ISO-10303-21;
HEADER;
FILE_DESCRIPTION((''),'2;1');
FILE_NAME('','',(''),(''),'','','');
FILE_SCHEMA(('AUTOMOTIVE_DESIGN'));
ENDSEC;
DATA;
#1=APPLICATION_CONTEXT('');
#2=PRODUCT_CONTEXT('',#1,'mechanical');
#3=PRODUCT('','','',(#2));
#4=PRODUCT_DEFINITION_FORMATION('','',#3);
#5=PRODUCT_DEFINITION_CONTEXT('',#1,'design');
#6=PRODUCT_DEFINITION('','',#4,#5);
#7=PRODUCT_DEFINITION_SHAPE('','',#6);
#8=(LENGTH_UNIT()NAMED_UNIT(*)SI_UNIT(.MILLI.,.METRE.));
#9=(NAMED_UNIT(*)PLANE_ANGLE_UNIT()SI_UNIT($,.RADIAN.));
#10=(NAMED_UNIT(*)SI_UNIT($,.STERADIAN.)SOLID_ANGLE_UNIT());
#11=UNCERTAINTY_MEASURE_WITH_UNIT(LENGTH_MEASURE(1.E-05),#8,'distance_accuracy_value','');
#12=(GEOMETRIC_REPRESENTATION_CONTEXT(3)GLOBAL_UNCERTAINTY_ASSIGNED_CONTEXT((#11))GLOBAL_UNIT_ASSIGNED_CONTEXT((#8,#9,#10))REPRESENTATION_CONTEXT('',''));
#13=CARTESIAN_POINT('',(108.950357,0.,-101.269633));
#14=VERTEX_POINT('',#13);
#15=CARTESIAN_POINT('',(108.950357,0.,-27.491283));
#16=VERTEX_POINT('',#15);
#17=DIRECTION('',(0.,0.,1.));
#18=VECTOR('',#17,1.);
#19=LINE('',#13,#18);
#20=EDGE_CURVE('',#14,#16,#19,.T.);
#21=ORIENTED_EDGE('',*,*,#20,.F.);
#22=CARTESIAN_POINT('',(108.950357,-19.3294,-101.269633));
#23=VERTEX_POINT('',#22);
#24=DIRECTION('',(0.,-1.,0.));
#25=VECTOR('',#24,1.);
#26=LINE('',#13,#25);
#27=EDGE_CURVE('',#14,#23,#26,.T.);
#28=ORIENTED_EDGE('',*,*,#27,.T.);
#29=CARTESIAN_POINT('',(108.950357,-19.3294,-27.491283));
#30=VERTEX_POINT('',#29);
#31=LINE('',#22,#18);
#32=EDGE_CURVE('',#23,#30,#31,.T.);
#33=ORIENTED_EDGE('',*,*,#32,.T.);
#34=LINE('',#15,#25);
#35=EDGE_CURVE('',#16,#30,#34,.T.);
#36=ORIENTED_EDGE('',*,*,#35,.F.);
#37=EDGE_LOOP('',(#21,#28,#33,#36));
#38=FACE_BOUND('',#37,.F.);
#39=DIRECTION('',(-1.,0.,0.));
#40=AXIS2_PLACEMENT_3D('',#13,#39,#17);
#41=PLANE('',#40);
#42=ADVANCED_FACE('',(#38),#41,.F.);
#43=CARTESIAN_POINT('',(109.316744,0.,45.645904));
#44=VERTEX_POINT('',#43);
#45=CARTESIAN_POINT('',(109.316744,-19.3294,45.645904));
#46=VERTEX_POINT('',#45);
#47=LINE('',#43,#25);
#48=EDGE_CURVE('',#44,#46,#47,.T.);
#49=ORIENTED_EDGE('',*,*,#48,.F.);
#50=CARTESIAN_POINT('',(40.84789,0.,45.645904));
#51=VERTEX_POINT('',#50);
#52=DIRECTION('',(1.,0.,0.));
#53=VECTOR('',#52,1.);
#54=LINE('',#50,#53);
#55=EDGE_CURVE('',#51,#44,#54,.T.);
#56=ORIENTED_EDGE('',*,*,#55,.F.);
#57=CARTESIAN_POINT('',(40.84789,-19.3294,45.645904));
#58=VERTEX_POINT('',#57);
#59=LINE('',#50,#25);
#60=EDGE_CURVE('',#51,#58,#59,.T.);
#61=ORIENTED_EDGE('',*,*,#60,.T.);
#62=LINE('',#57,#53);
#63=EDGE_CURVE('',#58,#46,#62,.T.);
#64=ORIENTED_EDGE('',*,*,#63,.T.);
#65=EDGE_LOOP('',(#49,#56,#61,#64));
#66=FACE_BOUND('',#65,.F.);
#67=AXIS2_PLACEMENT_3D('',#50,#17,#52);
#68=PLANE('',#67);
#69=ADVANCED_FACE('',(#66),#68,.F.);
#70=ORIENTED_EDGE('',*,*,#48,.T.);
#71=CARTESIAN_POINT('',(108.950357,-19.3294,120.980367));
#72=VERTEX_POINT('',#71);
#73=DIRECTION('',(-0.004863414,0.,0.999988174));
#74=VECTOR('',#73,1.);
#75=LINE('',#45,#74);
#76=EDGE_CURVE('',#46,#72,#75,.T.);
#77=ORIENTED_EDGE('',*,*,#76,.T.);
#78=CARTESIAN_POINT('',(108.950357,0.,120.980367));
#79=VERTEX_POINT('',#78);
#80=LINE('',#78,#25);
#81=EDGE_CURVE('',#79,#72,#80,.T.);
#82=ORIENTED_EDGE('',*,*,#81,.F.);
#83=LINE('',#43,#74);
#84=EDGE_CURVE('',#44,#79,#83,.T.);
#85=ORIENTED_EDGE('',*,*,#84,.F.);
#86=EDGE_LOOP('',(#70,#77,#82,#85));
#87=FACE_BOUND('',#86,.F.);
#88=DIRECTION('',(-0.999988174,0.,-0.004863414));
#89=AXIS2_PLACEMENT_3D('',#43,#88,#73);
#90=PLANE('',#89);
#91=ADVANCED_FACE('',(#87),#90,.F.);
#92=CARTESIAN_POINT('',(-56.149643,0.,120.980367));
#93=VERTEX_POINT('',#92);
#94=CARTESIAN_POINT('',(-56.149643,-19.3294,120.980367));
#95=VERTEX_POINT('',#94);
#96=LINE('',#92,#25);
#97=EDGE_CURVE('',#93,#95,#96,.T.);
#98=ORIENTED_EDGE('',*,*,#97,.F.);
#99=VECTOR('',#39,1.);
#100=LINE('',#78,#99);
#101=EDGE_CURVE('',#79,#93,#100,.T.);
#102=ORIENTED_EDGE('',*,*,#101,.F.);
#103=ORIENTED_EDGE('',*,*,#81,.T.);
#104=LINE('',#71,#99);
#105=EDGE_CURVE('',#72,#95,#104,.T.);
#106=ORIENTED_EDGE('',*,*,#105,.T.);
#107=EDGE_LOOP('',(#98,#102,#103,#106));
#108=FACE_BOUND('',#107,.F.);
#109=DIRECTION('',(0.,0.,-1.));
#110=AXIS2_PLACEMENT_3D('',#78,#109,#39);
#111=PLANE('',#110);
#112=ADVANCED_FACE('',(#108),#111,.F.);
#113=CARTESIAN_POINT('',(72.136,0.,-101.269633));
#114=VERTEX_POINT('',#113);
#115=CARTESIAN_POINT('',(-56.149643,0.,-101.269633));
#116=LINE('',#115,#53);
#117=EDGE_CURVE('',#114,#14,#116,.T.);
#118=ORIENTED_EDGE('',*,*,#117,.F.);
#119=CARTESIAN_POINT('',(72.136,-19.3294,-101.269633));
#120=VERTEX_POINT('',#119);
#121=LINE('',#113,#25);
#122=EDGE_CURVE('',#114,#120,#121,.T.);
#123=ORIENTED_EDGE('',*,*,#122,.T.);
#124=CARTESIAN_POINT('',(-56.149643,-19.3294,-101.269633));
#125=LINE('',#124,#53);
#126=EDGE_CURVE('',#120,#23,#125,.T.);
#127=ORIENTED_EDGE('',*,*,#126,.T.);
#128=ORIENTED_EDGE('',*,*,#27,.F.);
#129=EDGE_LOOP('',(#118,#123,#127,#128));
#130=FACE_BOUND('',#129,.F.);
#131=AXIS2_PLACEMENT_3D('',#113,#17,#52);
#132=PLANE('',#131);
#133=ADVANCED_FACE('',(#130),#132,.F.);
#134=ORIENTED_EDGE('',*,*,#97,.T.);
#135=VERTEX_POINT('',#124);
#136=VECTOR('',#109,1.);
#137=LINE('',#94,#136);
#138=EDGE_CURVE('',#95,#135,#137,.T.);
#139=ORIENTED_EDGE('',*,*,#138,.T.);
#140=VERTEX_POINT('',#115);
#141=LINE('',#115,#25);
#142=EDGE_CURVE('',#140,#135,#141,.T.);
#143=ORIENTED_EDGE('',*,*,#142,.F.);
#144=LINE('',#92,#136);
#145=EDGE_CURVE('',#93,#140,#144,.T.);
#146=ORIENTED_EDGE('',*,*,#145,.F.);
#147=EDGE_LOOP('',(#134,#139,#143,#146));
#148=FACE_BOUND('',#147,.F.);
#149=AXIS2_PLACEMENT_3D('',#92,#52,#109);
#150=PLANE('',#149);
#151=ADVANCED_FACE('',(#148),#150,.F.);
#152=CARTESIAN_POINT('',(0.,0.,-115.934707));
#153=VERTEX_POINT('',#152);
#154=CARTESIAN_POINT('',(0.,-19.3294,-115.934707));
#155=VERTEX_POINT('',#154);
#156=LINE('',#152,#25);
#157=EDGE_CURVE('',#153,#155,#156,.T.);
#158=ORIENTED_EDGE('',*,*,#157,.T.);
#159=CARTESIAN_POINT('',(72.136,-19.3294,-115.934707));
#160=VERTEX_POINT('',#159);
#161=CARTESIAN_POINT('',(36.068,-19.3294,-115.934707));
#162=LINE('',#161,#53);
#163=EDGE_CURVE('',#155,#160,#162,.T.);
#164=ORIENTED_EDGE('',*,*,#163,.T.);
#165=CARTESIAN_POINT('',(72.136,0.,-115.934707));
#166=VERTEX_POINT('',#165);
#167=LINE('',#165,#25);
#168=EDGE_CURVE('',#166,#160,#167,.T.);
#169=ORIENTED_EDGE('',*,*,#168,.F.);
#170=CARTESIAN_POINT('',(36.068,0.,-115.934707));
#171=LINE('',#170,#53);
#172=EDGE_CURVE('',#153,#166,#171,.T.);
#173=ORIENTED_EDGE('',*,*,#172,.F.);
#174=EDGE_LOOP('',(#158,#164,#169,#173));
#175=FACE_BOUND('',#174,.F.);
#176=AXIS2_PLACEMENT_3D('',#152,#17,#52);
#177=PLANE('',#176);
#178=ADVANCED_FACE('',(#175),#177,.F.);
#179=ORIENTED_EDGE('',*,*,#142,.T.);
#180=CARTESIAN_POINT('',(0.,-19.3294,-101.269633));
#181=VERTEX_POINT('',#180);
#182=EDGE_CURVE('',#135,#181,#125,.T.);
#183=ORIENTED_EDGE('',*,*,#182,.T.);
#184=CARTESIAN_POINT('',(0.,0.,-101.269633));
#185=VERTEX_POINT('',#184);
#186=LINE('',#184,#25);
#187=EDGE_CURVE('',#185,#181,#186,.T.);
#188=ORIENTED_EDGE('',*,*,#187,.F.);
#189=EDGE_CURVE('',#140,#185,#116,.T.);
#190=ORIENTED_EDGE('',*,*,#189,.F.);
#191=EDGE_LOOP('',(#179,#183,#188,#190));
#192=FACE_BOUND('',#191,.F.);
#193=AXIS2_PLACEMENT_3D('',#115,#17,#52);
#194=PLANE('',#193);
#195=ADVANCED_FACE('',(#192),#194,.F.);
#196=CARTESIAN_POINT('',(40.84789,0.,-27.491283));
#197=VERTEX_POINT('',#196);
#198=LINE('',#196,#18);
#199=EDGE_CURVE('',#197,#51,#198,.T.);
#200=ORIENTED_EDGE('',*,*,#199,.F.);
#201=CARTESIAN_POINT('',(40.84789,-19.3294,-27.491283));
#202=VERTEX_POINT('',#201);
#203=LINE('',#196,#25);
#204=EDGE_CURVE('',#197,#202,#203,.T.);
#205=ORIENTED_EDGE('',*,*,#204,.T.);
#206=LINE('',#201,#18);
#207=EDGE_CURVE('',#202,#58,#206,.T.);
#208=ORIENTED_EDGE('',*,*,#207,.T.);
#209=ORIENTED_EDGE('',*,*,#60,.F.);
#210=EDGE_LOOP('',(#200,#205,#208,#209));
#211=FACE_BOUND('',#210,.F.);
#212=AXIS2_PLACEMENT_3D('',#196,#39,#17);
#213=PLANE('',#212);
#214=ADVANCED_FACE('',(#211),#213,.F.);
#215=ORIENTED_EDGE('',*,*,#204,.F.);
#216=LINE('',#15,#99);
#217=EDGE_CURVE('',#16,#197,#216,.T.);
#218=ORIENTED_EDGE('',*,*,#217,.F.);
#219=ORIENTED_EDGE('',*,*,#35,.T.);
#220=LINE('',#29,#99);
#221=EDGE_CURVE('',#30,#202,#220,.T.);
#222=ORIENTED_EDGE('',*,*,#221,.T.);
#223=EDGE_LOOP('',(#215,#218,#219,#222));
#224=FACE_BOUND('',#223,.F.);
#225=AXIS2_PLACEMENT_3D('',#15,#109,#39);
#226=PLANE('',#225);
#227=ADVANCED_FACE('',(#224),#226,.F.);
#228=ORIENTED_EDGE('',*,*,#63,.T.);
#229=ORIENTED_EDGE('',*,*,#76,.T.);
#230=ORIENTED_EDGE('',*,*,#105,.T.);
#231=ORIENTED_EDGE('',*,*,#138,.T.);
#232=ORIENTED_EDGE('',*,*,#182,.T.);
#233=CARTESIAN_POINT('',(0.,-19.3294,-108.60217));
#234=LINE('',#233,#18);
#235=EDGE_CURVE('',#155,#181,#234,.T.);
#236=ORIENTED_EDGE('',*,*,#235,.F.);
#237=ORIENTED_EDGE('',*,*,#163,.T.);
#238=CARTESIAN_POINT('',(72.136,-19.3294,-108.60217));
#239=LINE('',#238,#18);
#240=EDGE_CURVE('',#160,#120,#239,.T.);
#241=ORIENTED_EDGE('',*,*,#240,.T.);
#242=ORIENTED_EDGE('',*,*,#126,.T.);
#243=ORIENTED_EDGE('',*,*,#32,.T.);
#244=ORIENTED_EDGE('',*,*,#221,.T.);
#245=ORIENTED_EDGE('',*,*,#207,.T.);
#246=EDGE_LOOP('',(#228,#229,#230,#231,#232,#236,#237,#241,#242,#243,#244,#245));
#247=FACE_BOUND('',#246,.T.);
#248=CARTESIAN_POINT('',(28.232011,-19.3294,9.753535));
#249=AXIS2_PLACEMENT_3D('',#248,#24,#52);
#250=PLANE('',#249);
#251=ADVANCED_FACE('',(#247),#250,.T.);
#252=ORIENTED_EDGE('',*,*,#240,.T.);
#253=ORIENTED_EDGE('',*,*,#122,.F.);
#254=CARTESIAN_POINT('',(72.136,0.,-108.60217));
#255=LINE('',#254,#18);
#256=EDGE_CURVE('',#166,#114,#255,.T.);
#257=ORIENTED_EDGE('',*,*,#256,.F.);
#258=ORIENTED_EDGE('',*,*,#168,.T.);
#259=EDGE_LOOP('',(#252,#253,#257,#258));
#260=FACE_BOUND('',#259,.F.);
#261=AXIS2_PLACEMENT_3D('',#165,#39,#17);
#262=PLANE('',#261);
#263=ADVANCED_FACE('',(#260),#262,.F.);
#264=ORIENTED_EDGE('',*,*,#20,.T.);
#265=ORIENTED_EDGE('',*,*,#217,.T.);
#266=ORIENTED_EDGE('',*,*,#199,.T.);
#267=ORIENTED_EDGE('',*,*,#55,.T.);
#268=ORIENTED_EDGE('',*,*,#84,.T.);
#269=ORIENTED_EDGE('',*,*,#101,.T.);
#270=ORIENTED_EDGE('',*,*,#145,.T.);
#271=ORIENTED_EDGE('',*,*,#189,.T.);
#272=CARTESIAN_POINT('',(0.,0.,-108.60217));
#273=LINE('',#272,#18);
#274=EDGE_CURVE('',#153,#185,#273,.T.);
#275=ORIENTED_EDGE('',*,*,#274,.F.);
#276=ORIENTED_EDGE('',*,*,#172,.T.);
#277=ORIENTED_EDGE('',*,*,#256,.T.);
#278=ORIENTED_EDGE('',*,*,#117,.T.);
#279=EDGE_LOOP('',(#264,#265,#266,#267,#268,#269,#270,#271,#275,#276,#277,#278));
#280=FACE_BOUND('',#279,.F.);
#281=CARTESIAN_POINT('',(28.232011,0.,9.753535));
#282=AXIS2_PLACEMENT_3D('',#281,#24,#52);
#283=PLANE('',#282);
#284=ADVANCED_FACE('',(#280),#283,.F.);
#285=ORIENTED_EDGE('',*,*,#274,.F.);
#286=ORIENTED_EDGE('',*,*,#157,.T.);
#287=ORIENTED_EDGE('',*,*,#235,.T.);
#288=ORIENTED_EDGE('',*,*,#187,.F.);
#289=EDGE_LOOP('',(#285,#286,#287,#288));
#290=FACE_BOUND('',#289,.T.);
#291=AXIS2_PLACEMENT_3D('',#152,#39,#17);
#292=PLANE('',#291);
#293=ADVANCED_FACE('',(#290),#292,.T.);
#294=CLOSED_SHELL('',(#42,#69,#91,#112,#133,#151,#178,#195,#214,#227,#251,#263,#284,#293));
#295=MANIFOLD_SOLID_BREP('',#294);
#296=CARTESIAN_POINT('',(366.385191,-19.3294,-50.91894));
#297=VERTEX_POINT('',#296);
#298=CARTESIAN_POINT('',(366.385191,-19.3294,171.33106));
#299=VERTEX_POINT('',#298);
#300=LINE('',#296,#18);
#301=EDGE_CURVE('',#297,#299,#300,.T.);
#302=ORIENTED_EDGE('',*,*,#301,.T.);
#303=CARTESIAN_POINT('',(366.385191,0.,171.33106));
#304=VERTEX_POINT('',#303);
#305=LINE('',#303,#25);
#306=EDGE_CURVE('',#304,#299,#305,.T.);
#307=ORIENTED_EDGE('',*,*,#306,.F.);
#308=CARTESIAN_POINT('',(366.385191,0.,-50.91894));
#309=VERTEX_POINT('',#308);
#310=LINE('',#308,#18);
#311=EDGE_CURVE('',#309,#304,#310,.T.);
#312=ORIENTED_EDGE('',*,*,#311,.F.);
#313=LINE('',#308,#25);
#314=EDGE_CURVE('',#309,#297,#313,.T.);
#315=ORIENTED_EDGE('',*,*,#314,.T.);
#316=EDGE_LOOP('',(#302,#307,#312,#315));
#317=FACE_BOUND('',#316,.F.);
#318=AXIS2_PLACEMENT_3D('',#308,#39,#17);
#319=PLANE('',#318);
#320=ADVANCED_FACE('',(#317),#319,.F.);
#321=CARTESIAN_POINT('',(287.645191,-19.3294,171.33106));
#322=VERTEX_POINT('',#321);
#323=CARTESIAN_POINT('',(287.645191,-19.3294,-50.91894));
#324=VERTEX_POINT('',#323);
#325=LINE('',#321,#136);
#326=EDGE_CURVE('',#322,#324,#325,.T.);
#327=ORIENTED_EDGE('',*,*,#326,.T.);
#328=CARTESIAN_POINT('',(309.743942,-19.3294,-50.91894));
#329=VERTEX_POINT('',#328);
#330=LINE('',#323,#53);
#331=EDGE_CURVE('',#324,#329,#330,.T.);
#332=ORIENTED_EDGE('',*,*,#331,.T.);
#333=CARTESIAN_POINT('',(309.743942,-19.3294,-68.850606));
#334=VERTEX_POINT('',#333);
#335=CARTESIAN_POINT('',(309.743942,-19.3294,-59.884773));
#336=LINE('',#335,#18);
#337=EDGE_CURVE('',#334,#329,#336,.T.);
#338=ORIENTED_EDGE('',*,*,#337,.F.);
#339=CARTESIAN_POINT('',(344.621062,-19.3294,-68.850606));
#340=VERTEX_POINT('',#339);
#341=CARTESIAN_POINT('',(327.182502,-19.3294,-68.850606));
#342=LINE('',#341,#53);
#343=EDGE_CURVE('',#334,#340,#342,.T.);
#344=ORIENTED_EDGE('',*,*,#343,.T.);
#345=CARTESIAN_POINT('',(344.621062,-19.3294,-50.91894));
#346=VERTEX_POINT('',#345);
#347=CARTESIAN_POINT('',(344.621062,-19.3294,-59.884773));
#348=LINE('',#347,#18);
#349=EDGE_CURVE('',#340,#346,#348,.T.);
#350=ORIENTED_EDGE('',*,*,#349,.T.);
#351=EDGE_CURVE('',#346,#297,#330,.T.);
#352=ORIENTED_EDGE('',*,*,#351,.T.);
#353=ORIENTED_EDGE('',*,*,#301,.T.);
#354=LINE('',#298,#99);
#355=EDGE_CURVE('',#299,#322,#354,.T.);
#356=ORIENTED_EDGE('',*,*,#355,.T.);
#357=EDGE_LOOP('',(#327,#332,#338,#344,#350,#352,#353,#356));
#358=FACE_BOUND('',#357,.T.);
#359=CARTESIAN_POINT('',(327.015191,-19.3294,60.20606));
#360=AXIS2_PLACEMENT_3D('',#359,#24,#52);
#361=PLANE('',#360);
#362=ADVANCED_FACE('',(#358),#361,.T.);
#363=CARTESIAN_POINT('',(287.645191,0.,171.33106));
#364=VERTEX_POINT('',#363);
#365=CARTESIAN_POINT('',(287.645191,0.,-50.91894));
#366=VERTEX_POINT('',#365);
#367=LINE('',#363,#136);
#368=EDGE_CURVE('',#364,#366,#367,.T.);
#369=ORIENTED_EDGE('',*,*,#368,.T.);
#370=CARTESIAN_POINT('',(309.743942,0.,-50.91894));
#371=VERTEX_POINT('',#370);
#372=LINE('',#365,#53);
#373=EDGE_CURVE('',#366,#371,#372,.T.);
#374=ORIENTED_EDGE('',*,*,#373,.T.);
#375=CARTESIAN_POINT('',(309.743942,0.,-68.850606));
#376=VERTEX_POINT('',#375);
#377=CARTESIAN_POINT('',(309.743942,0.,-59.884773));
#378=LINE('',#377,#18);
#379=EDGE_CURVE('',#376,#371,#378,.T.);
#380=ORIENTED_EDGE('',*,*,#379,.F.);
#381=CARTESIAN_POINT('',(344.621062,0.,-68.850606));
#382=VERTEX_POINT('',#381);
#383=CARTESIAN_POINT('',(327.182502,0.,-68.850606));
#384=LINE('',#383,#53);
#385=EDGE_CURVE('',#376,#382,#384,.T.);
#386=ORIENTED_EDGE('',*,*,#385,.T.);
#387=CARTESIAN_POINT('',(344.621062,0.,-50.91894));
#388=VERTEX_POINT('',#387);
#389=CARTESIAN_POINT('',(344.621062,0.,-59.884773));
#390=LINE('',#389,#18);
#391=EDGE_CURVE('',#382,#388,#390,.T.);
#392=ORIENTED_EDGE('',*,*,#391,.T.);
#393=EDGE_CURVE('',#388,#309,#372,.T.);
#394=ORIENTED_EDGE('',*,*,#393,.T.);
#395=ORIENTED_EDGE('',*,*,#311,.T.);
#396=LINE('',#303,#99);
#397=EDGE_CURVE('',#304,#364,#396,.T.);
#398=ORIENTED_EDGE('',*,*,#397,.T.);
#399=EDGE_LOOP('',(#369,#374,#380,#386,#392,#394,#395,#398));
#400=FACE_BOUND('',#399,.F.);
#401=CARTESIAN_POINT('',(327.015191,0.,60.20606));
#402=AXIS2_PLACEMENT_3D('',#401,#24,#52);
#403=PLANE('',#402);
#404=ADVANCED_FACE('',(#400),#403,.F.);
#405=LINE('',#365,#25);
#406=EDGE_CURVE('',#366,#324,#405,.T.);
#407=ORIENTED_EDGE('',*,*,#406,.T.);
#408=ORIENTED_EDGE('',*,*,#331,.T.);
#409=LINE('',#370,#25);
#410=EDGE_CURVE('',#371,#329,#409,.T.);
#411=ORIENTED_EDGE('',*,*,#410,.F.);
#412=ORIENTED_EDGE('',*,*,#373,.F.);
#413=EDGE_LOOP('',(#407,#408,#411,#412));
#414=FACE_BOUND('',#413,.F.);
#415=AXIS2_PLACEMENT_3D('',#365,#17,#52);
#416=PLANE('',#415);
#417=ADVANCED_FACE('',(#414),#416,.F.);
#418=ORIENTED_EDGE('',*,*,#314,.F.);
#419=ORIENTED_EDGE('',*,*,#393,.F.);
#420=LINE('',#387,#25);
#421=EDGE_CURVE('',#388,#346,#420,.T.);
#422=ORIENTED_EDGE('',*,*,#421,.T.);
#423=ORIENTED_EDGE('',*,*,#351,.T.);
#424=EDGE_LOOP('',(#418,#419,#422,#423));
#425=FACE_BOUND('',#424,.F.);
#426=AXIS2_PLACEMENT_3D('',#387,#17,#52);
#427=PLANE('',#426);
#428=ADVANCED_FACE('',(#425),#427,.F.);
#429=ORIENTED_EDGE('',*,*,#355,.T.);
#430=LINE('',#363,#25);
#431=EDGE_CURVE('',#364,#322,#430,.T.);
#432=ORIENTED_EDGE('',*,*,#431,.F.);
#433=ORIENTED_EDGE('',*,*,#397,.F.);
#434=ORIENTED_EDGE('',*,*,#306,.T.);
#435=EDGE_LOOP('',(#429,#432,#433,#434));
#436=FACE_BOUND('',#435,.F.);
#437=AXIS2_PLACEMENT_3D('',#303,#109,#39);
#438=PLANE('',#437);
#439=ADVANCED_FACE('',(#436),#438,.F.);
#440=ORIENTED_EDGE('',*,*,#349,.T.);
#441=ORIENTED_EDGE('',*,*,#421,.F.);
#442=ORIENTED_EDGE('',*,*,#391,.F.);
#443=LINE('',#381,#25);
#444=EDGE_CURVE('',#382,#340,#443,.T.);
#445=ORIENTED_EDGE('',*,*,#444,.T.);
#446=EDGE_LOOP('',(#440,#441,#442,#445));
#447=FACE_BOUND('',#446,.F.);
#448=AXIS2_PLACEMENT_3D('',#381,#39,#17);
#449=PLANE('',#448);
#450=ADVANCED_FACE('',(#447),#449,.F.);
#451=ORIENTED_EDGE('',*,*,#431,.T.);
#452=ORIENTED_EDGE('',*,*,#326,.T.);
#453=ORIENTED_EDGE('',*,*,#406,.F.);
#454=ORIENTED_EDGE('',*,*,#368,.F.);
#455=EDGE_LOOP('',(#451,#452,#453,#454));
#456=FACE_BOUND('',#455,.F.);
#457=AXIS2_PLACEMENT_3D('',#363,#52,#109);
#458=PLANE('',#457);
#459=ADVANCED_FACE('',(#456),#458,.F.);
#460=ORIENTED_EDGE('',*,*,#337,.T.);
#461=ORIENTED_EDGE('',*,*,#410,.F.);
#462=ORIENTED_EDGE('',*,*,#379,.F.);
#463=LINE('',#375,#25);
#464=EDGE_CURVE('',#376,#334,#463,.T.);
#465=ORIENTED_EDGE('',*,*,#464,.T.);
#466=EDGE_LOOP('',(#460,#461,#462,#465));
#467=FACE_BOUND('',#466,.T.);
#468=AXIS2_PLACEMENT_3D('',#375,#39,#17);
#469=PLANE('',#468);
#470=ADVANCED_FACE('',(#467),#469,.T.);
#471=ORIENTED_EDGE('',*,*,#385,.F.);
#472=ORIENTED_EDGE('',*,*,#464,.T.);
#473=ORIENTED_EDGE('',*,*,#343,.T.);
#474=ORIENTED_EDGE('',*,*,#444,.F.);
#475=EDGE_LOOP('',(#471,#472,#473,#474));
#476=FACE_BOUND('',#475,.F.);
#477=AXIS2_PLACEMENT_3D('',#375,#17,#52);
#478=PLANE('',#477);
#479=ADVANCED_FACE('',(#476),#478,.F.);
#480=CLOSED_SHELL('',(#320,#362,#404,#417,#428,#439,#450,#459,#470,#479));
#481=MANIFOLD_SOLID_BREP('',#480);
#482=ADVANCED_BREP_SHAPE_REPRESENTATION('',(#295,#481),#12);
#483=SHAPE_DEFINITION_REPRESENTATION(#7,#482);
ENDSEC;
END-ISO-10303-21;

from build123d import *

# Parameters (mm, degrees)
F0_W     = 72.136
F0_H     = 14.665074
F0_W_2   = 34.877121
F0_H_2   = 17.931667
F1_DEPTH = 19.3294


with BuildPart() as f1:
    # F0 (on Front) → F1 (new body)
    with BuildSketch(Plane.XZ):
        Polygon((108.950357, 120.980367), (-56.149643, 120.980367), (-56.149643, -101.269633), (0, -101.269633), (72.136, -101.269633), (108.950357, -101.269633), (108.950357, -27.491283), (40.84789, -27.491283), (40.84789, 45.645904), (109.316744, 45.645904), align=None)
        with Locations((36.068, -108.60217)):
            Rectangle(F0_W, F0_H)
        Polygon((287.645191, 171.33106), (287.645191, -50.91894), (309.743941, -50.91894), (344.621062, -50.91894), (366.385191, -50.91894), (366.385191, 171.33106), align=None)
        with Locations((327.182502, -59.884773)):
            Rectangle(F0_W_2, F0_H_2)
    extrude(amount=F1_DEPTH)


solid = f1.part
